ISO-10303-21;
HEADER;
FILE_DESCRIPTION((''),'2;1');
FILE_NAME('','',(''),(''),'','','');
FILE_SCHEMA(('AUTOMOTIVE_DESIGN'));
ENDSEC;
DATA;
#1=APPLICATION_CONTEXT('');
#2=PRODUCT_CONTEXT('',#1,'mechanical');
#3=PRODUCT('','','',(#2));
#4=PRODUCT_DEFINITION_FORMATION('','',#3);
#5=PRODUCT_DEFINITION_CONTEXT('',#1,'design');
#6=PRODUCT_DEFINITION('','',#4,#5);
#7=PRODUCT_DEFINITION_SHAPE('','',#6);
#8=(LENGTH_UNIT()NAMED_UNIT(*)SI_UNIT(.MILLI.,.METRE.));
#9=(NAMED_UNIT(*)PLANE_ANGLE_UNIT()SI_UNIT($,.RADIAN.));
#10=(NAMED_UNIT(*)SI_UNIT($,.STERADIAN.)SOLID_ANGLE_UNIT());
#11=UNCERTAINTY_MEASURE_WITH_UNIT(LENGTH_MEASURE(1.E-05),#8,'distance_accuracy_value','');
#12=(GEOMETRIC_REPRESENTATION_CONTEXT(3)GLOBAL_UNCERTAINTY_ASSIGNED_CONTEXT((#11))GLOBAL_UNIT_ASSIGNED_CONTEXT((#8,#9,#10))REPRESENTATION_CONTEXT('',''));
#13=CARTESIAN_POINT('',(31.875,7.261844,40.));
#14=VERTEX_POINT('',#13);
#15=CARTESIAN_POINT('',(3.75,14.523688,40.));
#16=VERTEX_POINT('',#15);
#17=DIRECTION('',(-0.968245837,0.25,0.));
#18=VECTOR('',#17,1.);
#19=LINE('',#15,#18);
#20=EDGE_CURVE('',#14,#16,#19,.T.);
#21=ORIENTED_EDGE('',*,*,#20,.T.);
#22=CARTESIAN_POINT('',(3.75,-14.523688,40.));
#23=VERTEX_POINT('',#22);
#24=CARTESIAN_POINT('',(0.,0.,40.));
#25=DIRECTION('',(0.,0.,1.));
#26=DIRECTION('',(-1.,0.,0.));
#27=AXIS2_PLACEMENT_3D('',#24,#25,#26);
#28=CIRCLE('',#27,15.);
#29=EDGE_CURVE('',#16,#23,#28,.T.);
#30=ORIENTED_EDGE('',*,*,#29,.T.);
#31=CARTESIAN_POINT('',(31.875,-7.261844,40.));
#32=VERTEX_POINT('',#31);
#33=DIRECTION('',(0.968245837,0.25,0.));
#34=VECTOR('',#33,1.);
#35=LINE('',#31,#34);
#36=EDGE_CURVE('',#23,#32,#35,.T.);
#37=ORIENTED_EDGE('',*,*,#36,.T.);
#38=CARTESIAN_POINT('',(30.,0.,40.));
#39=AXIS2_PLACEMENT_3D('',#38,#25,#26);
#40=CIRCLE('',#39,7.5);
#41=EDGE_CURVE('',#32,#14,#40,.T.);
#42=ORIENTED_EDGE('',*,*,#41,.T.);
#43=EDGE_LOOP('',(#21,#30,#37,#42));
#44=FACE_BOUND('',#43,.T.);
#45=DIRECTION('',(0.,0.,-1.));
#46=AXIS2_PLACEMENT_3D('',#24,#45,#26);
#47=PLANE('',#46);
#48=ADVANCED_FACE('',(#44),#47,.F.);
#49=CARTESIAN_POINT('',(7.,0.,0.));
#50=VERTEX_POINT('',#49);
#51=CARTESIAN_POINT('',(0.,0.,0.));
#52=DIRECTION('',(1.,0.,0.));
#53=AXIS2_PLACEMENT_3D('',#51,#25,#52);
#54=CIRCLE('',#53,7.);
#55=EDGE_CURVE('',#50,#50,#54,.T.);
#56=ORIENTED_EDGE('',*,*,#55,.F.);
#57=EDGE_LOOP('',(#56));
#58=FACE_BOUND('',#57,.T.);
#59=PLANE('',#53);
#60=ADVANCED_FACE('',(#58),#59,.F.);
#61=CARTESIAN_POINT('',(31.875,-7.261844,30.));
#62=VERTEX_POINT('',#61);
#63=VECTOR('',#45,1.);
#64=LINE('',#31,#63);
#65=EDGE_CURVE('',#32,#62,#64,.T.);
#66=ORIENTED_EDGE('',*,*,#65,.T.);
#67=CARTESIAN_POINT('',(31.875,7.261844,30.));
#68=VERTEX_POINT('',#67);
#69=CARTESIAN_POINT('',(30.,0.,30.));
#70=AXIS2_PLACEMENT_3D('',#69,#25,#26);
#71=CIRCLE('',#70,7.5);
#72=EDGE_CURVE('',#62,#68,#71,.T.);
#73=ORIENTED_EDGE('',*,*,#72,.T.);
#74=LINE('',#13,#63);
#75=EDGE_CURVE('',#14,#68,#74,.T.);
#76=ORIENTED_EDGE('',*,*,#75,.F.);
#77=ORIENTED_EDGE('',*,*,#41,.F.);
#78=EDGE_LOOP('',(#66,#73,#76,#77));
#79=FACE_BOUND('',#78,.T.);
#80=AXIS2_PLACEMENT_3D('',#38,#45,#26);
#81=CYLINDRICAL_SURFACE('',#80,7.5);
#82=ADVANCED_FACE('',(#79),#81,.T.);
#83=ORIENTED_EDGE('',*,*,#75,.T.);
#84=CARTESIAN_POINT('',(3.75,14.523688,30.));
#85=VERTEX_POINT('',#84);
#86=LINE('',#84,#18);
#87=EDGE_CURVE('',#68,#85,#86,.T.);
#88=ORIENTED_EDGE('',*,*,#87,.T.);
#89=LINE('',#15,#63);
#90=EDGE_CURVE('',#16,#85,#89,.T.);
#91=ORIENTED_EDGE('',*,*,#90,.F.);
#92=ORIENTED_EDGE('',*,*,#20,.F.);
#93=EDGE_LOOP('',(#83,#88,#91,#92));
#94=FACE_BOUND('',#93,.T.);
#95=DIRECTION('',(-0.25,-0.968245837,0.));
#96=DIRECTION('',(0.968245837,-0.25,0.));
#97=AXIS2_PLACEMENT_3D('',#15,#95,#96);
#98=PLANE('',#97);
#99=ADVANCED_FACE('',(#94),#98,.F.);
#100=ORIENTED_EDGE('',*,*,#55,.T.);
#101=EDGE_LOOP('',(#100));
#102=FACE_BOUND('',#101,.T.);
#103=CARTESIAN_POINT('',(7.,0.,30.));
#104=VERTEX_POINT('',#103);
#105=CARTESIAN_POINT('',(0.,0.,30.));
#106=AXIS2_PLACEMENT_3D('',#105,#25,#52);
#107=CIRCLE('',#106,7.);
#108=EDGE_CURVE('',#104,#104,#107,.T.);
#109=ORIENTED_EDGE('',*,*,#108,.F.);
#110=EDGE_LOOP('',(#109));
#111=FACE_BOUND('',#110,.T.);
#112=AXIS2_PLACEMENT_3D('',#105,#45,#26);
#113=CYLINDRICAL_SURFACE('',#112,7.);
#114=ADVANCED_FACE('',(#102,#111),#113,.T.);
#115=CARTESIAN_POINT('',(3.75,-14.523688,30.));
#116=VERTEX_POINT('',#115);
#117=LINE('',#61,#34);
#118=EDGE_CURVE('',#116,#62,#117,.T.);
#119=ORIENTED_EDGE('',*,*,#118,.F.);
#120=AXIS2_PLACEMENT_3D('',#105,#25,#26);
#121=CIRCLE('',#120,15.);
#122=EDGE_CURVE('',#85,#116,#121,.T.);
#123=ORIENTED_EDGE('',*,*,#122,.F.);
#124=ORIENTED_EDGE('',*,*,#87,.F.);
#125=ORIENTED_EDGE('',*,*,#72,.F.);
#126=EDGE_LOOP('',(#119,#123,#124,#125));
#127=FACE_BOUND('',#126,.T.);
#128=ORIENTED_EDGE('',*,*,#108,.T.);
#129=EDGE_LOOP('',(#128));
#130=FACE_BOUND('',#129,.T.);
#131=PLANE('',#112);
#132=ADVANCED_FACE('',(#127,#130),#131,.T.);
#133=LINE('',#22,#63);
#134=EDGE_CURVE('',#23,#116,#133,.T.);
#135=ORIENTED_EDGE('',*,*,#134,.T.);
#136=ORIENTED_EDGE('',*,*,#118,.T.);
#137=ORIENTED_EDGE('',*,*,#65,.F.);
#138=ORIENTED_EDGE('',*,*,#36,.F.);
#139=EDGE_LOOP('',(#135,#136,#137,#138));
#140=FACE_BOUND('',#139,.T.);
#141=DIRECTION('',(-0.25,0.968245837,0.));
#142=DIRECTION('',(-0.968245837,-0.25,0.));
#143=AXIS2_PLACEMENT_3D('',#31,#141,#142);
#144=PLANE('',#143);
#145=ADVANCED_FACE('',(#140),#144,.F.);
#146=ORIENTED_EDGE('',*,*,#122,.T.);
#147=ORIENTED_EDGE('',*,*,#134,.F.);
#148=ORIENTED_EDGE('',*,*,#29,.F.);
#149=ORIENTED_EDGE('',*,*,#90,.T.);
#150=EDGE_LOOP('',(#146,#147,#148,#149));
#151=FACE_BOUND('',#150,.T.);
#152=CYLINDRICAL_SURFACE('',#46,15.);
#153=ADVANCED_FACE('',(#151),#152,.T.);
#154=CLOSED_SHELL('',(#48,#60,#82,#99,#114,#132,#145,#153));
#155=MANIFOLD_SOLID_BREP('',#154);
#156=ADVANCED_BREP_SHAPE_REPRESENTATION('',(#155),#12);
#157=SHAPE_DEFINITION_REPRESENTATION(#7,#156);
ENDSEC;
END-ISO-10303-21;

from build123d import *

# Parameters (mm, degrees)
SKETCH1_R           = 7
BOSS_EXTRUDE1_DEPTH = 30
BOSS_EXTRUDE2_DEPTH = 10


with BuildPart() as part:
    # Sketch1 → Boss-Extrude1 (new body)
    with BuildSketch(Plane.XY):
        Circle(SKETCH1_R)
    extrude(amount=BOSS_EXTRUDE1_DEPTH)

    # Sketch2 → Boss-Extrude2 (add)
    with BuildSketch(Plane.XY.offset(30)):
        with BuildLine():
            Line((3.75, 14.523687548), (31.875, 7.261843774))
            ThreePointArc((31.875, 7.261843774), (37.5, 0), (31.875, -7.261843774))
            Line((31.875, -7.261843774), (3.75, -14.523687548))
            ThreePointArc((3.75, -14.523687548), (-15, 0), (3.75, 14.523687548))
        make_face()
    extrude(amount=BOSS_EXTRUDE2_DEPTH)


solid = part.part
